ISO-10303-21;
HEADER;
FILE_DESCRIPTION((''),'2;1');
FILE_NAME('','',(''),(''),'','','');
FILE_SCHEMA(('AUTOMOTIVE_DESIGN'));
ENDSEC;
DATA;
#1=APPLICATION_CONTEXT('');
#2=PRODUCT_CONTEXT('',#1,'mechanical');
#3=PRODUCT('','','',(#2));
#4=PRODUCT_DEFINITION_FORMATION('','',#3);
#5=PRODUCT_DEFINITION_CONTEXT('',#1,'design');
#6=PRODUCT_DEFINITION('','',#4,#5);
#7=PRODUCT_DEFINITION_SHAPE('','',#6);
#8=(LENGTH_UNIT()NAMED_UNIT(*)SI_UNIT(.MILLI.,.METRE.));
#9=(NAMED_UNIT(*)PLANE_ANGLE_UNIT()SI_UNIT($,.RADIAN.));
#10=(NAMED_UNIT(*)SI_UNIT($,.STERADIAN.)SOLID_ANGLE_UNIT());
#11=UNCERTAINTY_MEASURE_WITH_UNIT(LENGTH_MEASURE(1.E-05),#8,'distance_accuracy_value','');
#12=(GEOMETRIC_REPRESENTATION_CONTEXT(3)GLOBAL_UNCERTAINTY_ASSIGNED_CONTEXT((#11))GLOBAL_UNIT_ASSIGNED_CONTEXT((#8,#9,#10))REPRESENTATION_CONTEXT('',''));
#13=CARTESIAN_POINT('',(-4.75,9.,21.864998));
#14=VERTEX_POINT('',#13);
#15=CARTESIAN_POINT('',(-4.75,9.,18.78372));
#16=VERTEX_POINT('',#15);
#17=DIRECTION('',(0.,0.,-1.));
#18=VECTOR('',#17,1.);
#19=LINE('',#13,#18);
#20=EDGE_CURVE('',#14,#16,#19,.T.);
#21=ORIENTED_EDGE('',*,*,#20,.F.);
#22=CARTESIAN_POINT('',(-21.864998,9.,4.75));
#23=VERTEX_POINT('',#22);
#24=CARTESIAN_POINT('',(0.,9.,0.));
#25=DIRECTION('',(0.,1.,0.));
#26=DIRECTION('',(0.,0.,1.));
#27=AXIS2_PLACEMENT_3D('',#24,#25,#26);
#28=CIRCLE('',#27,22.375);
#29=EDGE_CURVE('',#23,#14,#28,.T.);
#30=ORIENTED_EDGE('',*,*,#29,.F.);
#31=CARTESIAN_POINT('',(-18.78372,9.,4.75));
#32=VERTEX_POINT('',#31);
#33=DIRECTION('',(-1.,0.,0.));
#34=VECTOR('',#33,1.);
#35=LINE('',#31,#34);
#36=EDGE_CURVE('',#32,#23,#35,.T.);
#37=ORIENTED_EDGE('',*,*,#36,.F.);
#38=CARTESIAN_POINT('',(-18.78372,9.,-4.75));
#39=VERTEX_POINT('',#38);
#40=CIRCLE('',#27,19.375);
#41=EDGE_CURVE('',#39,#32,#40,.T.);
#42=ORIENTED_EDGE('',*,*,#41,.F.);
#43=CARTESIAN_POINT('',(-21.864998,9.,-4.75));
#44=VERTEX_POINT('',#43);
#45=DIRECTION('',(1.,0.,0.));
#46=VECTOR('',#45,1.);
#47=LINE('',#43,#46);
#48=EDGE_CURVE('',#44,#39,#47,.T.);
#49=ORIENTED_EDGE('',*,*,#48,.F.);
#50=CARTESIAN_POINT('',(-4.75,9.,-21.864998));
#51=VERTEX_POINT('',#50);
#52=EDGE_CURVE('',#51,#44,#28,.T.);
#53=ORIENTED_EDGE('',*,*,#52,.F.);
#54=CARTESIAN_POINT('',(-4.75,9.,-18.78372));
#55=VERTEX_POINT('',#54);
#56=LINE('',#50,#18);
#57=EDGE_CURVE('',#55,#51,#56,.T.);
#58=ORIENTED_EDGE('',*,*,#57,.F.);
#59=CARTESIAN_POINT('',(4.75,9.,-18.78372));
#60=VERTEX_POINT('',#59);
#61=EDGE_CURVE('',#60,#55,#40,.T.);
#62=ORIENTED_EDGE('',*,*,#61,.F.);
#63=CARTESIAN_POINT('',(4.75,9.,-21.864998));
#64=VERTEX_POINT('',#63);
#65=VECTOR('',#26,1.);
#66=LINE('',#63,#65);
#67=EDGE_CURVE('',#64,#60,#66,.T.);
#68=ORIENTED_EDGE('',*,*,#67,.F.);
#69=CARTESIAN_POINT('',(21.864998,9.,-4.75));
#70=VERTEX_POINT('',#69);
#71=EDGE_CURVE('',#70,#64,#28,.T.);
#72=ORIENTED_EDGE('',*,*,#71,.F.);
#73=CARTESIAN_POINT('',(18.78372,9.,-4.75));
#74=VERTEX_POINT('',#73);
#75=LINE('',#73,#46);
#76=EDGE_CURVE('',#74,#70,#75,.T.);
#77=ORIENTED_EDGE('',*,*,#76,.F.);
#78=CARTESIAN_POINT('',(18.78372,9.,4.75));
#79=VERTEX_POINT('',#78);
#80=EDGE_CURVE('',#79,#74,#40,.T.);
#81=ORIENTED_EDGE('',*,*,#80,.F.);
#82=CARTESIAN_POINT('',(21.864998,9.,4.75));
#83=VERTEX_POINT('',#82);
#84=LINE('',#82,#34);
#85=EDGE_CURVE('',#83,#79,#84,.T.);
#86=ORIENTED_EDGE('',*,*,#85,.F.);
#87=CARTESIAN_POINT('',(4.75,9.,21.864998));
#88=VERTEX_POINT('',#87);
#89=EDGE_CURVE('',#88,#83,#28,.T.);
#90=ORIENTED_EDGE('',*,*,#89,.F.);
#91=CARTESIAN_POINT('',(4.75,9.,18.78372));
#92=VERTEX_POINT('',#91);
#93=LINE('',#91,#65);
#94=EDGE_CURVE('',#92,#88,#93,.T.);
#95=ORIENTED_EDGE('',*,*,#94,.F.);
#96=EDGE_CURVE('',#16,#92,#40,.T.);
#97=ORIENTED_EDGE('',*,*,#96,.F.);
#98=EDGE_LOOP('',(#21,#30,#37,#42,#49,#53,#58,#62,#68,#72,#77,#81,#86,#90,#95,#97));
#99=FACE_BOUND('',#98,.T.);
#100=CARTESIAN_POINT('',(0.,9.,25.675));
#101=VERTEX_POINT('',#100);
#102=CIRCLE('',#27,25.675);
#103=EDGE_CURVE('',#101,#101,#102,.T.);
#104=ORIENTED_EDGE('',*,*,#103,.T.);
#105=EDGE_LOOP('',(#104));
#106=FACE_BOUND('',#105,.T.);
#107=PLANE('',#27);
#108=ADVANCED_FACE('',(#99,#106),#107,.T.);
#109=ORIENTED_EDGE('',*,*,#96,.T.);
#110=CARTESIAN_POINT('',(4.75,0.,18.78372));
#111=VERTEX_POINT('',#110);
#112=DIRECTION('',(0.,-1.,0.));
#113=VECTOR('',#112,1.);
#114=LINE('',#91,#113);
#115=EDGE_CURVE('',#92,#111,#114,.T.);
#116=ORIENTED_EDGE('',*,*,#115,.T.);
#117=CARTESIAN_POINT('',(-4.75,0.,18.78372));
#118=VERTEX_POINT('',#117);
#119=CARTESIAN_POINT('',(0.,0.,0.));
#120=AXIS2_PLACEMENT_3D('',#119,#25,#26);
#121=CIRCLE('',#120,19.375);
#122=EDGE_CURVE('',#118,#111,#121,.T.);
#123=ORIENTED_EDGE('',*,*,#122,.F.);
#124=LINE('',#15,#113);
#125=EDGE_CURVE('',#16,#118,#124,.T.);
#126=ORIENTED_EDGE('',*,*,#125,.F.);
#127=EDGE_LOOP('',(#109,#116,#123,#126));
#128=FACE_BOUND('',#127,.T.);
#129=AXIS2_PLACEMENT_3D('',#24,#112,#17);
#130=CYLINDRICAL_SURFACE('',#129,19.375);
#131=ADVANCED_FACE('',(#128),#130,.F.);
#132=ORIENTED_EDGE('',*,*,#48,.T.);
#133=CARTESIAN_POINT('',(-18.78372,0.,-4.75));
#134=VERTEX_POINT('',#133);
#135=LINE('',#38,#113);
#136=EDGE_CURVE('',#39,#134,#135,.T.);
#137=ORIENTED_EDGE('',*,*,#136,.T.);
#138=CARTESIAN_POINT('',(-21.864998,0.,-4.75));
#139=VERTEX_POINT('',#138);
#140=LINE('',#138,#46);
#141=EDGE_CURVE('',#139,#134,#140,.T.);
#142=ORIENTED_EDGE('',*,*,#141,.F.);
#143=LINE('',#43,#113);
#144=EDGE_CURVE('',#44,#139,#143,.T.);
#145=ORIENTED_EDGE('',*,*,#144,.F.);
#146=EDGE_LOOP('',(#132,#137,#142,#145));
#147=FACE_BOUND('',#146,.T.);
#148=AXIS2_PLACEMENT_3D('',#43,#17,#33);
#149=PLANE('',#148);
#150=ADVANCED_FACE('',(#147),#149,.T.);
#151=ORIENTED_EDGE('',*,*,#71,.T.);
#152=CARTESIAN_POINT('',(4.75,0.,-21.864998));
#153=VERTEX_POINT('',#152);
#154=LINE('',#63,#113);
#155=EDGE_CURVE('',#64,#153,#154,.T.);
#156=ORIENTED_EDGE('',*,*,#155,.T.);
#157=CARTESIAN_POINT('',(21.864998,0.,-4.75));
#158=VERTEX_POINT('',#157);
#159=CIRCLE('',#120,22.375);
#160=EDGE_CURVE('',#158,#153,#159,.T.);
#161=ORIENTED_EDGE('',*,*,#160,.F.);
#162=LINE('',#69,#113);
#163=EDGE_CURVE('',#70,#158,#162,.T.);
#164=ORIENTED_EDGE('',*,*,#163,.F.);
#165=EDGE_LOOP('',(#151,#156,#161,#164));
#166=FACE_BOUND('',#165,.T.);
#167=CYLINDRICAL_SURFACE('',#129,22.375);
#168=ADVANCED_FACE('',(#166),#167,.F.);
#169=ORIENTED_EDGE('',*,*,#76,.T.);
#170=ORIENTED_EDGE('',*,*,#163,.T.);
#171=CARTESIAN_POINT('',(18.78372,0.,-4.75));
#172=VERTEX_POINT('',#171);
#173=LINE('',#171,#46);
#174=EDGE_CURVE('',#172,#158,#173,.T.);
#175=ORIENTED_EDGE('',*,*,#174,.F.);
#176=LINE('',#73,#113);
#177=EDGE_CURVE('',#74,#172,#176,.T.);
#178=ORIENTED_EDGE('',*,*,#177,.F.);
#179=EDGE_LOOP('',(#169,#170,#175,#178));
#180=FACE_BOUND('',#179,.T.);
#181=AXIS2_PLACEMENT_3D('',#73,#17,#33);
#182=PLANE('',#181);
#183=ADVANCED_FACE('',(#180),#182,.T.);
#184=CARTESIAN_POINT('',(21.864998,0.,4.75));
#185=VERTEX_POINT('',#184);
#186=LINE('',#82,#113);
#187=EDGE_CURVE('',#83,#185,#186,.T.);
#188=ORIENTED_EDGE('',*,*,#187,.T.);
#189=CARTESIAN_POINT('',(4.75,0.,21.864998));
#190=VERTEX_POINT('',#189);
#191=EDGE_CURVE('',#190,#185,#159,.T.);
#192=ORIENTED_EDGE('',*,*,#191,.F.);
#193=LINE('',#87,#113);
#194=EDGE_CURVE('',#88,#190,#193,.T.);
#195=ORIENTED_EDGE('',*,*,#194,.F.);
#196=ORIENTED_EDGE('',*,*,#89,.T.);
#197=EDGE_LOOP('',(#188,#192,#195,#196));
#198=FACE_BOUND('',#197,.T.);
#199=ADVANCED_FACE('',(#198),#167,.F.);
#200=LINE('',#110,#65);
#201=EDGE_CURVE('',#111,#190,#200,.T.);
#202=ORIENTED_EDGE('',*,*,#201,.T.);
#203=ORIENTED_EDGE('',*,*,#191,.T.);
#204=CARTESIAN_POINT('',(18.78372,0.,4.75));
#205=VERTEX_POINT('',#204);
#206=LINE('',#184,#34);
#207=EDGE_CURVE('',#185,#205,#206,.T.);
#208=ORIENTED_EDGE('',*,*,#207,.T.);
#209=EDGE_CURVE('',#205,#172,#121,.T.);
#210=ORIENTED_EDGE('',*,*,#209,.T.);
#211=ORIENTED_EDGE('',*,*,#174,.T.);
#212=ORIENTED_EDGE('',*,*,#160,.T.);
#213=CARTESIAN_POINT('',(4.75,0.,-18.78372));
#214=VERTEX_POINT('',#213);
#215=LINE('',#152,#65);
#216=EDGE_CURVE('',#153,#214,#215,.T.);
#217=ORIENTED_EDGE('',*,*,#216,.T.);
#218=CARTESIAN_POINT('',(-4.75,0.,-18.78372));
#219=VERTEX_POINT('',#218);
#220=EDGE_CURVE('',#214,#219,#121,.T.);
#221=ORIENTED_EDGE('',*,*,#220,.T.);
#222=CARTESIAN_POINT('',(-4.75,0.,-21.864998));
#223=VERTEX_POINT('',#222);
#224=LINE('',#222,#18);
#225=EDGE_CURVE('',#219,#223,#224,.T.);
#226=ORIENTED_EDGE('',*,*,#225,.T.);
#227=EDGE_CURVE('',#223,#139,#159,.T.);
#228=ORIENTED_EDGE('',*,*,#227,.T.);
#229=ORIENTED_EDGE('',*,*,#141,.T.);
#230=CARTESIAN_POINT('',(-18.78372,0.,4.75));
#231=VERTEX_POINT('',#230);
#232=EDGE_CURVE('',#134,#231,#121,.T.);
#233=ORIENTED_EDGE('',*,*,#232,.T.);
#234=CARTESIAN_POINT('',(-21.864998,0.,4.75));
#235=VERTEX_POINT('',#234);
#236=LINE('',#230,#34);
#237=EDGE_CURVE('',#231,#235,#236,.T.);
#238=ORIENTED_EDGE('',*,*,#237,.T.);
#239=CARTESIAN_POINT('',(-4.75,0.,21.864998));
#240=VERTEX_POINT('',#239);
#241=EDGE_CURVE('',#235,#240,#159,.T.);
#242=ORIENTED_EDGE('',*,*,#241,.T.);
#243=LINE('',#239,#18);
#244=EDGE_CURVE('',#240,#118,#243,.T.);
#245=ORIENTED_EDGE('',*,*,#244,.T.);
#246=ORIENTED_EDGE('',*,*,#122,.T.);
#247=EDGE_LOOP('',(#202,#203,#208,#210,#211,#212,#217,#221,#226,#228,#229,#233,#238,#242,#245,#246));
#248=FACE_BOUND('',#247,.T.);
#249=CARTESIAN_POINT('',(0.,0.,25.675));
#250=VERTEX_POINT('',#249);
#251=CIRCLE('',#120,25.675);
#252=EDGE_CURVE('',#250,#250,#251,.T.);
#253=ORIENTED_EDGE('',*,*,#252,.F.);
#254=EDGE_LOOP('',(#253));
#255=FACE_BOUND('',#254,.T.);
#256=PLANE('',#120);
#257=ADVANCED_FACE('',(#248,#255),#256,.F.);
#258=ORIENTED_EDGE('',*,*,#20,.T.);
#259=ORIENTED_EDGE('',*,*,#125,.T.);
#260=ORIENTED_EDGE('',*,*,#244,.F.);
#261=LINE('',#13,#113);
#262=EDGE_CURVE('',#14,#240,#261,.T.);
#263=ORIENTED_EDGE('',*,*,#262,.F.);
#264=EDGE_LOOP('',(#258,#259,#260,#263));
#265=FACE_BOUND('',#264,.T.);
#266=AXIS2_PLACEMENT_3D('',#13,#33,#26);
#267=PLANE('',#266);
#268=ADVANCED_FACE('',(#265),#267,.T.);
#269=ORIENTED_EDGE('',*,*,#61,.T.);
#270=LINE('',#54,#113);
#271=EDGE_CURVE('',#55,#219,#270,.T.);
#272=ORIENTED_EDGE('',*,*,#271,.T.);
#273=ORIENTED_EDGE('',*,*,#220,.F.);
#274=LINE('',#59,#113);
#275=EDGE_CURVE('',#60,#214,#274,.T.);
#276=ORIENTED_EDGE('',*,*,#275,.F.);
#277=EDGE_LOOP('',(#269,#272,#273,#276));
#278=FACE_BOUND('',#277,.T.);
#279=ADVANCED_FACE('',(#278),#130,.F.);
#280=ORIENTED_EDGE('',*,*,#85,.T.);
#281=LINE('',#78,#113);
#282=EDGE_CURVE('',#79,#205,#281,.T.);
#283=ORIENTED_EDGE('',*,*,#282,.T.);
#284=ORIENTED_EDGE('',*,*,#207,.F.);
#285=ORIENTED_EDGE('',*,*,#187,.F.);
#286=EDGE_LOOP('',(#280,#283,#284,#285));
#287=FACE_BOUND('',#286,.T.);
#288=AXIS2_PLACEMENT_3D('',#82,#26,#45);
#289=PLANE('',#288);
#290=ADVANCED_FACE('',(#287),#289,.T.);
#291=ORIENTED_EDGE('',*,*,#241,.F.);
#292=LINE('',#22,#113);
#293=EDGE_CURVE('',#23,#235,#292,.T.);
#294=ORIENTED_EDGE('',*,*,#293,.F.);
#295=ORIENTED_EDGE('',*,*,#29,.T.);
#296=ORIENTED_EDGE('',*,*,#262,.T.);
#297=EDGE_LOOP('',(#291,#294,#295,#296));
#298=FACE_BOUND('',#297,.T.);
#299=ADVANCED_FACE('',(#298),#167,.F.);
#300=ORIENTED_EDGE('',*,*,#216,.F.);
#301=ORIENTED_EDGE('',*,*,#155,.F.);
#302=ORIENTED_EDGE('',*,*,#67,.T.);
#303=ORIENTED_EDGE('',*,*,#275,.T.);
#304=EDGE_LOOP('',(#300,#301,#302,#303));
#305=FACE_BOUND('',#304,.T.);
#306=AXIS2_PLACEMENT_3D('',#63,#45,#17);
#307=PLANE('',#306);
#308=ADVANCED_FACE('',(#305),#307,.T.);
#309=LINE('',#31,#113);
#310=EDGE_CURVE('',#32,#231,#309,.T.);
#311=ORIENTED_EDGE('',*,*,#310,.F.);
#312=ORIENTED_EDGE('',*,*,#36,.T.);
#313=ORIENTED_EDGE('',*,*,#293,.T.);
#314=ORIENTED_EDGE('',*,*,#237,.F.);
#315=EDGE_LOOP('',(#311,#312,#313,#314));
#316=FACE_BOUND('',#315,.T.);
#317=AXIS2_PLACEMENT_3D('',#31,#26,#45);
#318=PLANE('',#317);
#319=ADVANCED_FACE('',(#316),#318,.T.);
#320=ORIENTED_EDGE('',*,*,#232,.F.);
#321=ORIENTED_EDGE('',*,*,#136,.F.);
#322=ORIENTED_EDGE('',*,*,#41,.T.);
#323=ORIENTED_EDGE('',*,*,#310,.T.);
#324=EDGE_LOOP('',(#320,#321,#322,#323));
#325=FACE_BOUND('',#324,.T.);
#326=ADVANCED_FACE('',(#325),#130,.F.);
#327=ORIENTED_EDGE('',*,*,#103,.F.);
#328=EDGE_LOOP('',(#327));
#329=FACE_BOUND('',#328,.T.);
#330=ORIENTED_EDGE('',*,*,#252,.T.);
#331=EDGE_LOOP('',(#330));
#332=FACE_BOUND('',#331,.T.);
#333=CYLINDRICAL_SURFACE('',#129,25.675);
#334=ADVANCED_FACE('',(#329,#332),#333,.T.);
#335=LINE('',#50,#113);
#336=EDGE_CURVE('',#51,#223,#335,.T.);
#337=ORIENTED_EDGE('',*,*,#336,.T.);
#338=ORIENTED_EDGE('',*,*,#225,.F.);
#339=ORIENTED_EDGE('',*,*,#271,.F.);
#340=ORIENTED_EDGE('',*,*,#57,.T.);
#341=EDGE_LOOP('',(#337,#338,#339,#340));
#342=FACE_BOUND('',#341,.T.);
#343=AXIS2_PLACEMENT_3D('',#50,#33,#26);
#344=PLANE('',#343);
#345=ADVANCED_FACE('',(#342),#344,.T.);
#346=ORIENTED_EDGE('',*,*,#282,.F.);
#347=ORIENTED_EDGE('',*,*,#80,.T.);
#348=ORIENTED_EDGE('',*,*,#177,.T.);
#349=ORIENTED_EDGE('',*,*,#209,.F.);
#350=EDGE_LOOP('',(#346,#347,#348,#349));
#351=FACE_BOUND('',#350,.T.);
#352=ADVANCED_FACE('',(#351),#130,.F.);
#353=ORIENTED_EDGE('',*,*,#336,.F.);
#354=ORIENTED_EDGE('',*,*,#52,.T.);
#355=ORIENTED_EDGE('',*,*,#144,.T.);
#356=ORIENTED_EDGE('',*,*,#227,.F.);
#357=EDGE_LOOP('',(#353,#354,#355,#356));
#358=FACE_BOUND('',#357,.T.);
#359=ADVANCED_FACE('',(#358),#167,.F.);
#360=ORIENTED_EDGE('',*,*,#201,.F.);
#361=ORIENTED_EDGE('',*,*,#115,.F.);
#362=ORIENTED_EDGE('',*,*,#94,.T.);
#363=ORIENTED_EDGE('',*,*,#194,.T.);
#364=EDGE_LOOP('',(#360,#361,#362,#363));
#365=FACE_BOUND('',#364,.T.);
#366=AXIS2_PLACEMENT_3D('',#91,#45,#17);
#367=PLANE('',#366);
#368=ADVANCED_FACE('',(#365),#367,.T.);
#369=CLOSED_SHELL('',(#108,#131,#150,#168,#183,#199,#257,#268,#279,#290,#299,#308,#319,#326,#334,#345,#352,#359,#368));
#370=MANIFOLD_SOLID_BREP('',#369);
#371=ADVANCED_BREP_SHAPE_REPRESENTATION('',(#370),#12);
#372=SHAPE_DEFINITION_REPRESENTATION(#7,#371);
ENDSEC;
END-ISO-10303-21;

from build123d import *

# Parameters (mm, degrees)
SKETCH_1_R      = 25.675
EXTRUDE_1_DEPTH = 9


with BuildPart() as part:
    # Эскиз1 → Бобышка-Вытянуть1 (new body)
    with BuildSketch(Plane(origin=(0, 0, 0), x_dir=(1, 0, 0), z_dir=(0, 1, 0))):
        with Locations(Location((0, 0, 0), (0, 0, 270))):
            Circle(SKETCH_1_R)
        with BuildLine():
            Line((-4.75, 21.864997713), (-4.75, 18.78371968))
            ThreePointArc((-4.75, 18.78371968), (0, 19.375), (4.75, 18.78371968))
            Line((4.75, 18.78371968), (4.75, 21.864997713))
            ThreePointArc((4.75, 21.864997713), (15.821514229, 15.821514229), (21.864997713, 4.75))
            Line((21.864997713, 4.75), (18.78371968, 4.75))
            ThreePointArc((18.78371968, 4.75), (19.375, 0), (18.78371968, -4.75))
            Line((18.78371968, -4.75), (21.864997713, -4.75))
            ThreePointArc((21.864997713, -4.75), (15.821514229, -15.821514229), (4.75, -21.864997713))
            Line((4.75, -21.864997713), (4.75, -18.78371968))
            ThreePointArc((4.75, -18.78371968), (0, -19.375), (-4.75, -18.78371968))
            Line((-4.75, -18.78371968), (-4.75, -21.864997713))
            ThreePointArc((-4.75, -21.864997713), (-15.821514229, -15.821514229), (-21.864997713, -4.75))
            Line((-21.864997713, -4.75), (-18.78371968, -4.75))
            ThreePointArc((-18.78371968, -4.75), (-19.375, 0), (-18.78371968, 4.75))
            Line((-18.78371968, 4.75), (-21.864997713, 4.75))
            ThreePointArc((-21.864997713, 4.75), (-15.821514229, 15.821514229), (-4.75, 21.864997713))
        make_face(mode=Mode.SUBTRACT)
    extrude(amount=EXTRUDE_1_DEPTH)


solid = part.part
